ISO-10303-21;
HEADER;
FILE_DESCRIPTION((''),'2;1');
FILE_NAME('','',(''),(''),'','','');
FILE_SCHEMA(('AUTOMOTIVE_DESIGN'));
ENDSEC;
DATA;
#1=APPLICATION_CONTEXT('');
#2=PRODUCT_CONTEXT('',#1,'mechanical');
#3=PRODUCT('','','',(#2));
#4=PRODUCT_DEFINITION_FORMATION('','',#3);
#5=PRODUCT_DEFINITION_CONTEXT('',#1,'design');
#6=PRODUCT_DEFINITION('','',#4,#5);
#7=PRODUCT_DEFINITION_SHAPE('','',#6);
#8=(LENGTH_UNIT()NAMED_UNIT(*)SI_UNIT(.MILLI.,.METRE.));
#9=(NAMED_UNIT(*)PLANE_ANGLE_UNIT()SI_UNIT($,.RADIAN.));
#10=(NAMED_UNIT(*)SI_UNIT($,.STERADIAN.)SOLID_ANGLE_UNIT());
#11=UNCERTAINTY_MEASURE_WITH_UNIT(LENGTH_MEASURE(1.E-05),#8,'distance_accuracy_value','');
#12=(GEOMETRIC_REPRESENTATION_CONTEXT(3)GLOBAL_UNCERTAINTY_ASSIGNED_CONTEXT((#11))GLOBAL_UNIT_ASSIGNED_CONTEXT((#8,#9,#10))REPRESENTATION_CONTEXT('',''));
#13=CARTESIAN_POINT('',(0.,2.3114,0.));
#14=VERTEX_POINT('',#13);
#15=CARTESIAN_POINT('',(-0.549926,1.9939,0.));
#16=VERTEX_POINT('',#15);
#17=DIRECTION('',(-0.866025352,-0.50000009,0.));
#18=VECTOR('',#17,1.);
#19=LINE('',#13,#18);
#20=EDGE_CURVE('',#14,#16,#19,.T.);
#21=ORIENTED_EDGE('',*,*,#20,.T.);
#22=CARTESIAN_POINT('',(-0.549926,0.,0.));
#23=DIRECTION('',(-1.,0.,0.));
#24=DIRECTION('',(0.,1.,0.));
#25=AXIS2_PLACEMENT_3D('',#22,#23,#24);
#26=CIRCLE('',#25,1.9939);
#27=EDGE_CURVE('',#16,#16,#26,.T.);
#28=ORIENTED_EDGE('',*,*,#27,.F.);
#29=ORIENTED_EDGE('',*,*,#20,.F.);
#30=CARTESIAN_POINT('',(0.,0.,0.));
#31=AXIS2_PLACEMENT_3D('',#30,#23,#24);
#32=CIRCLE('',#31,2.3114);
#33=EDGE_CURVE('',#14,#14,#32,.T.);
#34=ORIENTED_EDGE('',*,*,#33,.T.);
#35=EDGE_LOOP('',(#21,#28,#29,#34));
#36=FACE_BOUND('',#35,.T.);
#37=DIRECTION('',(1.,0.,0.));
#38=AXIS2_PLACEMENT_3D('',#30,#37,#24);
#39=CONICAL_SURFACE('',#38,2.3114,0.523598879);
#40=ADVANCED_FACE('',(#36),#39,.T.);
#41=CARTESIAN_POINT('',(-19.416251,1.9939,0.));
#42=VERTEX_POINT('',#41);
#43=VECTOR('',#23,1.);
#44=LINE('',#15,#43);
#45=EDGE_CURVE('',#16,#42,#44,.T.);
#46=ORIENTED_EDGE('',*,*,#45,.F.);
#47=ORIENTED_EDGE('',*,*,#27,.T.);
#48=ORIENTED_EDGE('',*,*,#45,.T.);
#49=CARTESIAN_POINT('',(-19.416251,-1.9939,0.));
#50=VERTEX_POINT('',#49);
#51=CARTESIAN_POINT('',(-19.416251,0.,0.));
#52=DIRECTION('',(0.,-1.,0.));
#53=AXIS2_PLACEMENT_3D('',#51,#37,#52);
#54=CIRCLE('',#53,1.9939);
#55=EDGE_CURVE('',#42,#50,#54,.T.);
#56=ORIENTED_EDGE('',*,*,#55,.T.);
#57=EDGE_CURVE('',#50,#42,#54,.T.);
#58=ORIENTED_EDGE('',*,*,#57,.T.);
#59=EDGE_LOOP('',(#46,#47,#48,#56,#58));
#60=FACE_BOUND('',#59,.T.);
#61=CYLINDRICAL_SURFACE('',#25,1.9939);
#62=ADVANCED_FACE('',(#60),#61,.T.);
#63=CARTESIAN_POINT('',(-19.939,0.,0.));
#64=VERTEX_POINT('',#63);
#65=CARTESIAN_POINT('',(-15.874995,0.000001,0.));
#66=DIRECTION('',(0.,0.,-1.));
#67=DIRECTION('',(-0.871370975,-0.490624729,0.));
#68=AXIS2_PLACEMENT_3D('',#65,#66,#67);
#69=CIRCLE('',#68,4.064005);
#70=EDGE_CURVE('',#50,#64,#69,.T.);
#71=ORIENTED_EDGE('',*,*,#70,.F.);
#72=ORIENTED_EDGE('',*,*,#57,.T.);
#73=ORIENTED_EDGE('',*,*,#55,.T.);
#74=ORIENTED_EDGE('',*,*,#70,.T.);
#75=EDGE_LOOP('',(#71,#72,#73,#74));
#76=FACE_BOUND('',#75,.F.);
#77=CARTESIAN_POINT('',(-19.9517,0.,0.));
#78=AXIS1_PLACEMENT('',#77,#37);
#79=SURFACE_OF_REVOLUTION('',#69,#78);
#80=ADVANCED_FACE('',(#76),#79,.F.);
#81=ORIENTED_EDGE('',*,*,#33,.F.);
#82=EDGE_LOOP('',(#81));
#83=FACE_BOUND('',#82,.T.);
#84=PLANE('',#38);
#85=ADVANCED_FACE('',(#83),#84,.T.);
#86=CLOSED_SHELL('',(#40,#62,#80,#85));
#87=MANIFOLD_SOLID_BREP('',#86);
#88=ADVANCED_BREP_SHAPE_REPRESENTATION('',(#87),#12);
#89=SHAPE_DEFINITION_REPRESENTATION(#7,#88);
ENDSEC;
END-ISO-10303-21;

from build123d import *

# Parameters (mm, degrees)
F0_R     = 1.9939
F1_DEPTH = 19.9644


with BuildPart() as f1:
    # F0 (on Right) → F1 (new body)
    with BuildSketch(Plane.YZ):
        Circle(F0_R)
    extrude(amount=-F1_DEPTH)

    # F2 (on Top) → F3 (revolve)
    with BuildSketch(Plane.XY):
        Polygon((-0.549926, 1.9939), (-0.594271, 1.9939), (-0.594271, 0), (0, 0), (0, 1.9939), (0, 2.3114), align=None)
    revolve(axis=Axis((-0.297135, 0, 0), (-1, 0, 0)))

    # F4 (on Top) → F5 (revolve, cut)
    with BuildSketch(Plane.XY):
        with BuildLine():
            Line((-19.939, 0), (-19.9644, 0))
            Line((-19.9644, 0), (-19.9644, -1.9939))
            Line((-19.9644, -1.9939), (-19.416251, -1.9939))
            ThreePointArc((-19.416251, -1.9939), (-19.806141, -1.030643), (-19.939, 0))
        make_face()
    revolve(axis=Axis((-19.9517, 0, 0), (1, 0, 0)), mode=Mode.SUBTRACT)


solid = f1.part
